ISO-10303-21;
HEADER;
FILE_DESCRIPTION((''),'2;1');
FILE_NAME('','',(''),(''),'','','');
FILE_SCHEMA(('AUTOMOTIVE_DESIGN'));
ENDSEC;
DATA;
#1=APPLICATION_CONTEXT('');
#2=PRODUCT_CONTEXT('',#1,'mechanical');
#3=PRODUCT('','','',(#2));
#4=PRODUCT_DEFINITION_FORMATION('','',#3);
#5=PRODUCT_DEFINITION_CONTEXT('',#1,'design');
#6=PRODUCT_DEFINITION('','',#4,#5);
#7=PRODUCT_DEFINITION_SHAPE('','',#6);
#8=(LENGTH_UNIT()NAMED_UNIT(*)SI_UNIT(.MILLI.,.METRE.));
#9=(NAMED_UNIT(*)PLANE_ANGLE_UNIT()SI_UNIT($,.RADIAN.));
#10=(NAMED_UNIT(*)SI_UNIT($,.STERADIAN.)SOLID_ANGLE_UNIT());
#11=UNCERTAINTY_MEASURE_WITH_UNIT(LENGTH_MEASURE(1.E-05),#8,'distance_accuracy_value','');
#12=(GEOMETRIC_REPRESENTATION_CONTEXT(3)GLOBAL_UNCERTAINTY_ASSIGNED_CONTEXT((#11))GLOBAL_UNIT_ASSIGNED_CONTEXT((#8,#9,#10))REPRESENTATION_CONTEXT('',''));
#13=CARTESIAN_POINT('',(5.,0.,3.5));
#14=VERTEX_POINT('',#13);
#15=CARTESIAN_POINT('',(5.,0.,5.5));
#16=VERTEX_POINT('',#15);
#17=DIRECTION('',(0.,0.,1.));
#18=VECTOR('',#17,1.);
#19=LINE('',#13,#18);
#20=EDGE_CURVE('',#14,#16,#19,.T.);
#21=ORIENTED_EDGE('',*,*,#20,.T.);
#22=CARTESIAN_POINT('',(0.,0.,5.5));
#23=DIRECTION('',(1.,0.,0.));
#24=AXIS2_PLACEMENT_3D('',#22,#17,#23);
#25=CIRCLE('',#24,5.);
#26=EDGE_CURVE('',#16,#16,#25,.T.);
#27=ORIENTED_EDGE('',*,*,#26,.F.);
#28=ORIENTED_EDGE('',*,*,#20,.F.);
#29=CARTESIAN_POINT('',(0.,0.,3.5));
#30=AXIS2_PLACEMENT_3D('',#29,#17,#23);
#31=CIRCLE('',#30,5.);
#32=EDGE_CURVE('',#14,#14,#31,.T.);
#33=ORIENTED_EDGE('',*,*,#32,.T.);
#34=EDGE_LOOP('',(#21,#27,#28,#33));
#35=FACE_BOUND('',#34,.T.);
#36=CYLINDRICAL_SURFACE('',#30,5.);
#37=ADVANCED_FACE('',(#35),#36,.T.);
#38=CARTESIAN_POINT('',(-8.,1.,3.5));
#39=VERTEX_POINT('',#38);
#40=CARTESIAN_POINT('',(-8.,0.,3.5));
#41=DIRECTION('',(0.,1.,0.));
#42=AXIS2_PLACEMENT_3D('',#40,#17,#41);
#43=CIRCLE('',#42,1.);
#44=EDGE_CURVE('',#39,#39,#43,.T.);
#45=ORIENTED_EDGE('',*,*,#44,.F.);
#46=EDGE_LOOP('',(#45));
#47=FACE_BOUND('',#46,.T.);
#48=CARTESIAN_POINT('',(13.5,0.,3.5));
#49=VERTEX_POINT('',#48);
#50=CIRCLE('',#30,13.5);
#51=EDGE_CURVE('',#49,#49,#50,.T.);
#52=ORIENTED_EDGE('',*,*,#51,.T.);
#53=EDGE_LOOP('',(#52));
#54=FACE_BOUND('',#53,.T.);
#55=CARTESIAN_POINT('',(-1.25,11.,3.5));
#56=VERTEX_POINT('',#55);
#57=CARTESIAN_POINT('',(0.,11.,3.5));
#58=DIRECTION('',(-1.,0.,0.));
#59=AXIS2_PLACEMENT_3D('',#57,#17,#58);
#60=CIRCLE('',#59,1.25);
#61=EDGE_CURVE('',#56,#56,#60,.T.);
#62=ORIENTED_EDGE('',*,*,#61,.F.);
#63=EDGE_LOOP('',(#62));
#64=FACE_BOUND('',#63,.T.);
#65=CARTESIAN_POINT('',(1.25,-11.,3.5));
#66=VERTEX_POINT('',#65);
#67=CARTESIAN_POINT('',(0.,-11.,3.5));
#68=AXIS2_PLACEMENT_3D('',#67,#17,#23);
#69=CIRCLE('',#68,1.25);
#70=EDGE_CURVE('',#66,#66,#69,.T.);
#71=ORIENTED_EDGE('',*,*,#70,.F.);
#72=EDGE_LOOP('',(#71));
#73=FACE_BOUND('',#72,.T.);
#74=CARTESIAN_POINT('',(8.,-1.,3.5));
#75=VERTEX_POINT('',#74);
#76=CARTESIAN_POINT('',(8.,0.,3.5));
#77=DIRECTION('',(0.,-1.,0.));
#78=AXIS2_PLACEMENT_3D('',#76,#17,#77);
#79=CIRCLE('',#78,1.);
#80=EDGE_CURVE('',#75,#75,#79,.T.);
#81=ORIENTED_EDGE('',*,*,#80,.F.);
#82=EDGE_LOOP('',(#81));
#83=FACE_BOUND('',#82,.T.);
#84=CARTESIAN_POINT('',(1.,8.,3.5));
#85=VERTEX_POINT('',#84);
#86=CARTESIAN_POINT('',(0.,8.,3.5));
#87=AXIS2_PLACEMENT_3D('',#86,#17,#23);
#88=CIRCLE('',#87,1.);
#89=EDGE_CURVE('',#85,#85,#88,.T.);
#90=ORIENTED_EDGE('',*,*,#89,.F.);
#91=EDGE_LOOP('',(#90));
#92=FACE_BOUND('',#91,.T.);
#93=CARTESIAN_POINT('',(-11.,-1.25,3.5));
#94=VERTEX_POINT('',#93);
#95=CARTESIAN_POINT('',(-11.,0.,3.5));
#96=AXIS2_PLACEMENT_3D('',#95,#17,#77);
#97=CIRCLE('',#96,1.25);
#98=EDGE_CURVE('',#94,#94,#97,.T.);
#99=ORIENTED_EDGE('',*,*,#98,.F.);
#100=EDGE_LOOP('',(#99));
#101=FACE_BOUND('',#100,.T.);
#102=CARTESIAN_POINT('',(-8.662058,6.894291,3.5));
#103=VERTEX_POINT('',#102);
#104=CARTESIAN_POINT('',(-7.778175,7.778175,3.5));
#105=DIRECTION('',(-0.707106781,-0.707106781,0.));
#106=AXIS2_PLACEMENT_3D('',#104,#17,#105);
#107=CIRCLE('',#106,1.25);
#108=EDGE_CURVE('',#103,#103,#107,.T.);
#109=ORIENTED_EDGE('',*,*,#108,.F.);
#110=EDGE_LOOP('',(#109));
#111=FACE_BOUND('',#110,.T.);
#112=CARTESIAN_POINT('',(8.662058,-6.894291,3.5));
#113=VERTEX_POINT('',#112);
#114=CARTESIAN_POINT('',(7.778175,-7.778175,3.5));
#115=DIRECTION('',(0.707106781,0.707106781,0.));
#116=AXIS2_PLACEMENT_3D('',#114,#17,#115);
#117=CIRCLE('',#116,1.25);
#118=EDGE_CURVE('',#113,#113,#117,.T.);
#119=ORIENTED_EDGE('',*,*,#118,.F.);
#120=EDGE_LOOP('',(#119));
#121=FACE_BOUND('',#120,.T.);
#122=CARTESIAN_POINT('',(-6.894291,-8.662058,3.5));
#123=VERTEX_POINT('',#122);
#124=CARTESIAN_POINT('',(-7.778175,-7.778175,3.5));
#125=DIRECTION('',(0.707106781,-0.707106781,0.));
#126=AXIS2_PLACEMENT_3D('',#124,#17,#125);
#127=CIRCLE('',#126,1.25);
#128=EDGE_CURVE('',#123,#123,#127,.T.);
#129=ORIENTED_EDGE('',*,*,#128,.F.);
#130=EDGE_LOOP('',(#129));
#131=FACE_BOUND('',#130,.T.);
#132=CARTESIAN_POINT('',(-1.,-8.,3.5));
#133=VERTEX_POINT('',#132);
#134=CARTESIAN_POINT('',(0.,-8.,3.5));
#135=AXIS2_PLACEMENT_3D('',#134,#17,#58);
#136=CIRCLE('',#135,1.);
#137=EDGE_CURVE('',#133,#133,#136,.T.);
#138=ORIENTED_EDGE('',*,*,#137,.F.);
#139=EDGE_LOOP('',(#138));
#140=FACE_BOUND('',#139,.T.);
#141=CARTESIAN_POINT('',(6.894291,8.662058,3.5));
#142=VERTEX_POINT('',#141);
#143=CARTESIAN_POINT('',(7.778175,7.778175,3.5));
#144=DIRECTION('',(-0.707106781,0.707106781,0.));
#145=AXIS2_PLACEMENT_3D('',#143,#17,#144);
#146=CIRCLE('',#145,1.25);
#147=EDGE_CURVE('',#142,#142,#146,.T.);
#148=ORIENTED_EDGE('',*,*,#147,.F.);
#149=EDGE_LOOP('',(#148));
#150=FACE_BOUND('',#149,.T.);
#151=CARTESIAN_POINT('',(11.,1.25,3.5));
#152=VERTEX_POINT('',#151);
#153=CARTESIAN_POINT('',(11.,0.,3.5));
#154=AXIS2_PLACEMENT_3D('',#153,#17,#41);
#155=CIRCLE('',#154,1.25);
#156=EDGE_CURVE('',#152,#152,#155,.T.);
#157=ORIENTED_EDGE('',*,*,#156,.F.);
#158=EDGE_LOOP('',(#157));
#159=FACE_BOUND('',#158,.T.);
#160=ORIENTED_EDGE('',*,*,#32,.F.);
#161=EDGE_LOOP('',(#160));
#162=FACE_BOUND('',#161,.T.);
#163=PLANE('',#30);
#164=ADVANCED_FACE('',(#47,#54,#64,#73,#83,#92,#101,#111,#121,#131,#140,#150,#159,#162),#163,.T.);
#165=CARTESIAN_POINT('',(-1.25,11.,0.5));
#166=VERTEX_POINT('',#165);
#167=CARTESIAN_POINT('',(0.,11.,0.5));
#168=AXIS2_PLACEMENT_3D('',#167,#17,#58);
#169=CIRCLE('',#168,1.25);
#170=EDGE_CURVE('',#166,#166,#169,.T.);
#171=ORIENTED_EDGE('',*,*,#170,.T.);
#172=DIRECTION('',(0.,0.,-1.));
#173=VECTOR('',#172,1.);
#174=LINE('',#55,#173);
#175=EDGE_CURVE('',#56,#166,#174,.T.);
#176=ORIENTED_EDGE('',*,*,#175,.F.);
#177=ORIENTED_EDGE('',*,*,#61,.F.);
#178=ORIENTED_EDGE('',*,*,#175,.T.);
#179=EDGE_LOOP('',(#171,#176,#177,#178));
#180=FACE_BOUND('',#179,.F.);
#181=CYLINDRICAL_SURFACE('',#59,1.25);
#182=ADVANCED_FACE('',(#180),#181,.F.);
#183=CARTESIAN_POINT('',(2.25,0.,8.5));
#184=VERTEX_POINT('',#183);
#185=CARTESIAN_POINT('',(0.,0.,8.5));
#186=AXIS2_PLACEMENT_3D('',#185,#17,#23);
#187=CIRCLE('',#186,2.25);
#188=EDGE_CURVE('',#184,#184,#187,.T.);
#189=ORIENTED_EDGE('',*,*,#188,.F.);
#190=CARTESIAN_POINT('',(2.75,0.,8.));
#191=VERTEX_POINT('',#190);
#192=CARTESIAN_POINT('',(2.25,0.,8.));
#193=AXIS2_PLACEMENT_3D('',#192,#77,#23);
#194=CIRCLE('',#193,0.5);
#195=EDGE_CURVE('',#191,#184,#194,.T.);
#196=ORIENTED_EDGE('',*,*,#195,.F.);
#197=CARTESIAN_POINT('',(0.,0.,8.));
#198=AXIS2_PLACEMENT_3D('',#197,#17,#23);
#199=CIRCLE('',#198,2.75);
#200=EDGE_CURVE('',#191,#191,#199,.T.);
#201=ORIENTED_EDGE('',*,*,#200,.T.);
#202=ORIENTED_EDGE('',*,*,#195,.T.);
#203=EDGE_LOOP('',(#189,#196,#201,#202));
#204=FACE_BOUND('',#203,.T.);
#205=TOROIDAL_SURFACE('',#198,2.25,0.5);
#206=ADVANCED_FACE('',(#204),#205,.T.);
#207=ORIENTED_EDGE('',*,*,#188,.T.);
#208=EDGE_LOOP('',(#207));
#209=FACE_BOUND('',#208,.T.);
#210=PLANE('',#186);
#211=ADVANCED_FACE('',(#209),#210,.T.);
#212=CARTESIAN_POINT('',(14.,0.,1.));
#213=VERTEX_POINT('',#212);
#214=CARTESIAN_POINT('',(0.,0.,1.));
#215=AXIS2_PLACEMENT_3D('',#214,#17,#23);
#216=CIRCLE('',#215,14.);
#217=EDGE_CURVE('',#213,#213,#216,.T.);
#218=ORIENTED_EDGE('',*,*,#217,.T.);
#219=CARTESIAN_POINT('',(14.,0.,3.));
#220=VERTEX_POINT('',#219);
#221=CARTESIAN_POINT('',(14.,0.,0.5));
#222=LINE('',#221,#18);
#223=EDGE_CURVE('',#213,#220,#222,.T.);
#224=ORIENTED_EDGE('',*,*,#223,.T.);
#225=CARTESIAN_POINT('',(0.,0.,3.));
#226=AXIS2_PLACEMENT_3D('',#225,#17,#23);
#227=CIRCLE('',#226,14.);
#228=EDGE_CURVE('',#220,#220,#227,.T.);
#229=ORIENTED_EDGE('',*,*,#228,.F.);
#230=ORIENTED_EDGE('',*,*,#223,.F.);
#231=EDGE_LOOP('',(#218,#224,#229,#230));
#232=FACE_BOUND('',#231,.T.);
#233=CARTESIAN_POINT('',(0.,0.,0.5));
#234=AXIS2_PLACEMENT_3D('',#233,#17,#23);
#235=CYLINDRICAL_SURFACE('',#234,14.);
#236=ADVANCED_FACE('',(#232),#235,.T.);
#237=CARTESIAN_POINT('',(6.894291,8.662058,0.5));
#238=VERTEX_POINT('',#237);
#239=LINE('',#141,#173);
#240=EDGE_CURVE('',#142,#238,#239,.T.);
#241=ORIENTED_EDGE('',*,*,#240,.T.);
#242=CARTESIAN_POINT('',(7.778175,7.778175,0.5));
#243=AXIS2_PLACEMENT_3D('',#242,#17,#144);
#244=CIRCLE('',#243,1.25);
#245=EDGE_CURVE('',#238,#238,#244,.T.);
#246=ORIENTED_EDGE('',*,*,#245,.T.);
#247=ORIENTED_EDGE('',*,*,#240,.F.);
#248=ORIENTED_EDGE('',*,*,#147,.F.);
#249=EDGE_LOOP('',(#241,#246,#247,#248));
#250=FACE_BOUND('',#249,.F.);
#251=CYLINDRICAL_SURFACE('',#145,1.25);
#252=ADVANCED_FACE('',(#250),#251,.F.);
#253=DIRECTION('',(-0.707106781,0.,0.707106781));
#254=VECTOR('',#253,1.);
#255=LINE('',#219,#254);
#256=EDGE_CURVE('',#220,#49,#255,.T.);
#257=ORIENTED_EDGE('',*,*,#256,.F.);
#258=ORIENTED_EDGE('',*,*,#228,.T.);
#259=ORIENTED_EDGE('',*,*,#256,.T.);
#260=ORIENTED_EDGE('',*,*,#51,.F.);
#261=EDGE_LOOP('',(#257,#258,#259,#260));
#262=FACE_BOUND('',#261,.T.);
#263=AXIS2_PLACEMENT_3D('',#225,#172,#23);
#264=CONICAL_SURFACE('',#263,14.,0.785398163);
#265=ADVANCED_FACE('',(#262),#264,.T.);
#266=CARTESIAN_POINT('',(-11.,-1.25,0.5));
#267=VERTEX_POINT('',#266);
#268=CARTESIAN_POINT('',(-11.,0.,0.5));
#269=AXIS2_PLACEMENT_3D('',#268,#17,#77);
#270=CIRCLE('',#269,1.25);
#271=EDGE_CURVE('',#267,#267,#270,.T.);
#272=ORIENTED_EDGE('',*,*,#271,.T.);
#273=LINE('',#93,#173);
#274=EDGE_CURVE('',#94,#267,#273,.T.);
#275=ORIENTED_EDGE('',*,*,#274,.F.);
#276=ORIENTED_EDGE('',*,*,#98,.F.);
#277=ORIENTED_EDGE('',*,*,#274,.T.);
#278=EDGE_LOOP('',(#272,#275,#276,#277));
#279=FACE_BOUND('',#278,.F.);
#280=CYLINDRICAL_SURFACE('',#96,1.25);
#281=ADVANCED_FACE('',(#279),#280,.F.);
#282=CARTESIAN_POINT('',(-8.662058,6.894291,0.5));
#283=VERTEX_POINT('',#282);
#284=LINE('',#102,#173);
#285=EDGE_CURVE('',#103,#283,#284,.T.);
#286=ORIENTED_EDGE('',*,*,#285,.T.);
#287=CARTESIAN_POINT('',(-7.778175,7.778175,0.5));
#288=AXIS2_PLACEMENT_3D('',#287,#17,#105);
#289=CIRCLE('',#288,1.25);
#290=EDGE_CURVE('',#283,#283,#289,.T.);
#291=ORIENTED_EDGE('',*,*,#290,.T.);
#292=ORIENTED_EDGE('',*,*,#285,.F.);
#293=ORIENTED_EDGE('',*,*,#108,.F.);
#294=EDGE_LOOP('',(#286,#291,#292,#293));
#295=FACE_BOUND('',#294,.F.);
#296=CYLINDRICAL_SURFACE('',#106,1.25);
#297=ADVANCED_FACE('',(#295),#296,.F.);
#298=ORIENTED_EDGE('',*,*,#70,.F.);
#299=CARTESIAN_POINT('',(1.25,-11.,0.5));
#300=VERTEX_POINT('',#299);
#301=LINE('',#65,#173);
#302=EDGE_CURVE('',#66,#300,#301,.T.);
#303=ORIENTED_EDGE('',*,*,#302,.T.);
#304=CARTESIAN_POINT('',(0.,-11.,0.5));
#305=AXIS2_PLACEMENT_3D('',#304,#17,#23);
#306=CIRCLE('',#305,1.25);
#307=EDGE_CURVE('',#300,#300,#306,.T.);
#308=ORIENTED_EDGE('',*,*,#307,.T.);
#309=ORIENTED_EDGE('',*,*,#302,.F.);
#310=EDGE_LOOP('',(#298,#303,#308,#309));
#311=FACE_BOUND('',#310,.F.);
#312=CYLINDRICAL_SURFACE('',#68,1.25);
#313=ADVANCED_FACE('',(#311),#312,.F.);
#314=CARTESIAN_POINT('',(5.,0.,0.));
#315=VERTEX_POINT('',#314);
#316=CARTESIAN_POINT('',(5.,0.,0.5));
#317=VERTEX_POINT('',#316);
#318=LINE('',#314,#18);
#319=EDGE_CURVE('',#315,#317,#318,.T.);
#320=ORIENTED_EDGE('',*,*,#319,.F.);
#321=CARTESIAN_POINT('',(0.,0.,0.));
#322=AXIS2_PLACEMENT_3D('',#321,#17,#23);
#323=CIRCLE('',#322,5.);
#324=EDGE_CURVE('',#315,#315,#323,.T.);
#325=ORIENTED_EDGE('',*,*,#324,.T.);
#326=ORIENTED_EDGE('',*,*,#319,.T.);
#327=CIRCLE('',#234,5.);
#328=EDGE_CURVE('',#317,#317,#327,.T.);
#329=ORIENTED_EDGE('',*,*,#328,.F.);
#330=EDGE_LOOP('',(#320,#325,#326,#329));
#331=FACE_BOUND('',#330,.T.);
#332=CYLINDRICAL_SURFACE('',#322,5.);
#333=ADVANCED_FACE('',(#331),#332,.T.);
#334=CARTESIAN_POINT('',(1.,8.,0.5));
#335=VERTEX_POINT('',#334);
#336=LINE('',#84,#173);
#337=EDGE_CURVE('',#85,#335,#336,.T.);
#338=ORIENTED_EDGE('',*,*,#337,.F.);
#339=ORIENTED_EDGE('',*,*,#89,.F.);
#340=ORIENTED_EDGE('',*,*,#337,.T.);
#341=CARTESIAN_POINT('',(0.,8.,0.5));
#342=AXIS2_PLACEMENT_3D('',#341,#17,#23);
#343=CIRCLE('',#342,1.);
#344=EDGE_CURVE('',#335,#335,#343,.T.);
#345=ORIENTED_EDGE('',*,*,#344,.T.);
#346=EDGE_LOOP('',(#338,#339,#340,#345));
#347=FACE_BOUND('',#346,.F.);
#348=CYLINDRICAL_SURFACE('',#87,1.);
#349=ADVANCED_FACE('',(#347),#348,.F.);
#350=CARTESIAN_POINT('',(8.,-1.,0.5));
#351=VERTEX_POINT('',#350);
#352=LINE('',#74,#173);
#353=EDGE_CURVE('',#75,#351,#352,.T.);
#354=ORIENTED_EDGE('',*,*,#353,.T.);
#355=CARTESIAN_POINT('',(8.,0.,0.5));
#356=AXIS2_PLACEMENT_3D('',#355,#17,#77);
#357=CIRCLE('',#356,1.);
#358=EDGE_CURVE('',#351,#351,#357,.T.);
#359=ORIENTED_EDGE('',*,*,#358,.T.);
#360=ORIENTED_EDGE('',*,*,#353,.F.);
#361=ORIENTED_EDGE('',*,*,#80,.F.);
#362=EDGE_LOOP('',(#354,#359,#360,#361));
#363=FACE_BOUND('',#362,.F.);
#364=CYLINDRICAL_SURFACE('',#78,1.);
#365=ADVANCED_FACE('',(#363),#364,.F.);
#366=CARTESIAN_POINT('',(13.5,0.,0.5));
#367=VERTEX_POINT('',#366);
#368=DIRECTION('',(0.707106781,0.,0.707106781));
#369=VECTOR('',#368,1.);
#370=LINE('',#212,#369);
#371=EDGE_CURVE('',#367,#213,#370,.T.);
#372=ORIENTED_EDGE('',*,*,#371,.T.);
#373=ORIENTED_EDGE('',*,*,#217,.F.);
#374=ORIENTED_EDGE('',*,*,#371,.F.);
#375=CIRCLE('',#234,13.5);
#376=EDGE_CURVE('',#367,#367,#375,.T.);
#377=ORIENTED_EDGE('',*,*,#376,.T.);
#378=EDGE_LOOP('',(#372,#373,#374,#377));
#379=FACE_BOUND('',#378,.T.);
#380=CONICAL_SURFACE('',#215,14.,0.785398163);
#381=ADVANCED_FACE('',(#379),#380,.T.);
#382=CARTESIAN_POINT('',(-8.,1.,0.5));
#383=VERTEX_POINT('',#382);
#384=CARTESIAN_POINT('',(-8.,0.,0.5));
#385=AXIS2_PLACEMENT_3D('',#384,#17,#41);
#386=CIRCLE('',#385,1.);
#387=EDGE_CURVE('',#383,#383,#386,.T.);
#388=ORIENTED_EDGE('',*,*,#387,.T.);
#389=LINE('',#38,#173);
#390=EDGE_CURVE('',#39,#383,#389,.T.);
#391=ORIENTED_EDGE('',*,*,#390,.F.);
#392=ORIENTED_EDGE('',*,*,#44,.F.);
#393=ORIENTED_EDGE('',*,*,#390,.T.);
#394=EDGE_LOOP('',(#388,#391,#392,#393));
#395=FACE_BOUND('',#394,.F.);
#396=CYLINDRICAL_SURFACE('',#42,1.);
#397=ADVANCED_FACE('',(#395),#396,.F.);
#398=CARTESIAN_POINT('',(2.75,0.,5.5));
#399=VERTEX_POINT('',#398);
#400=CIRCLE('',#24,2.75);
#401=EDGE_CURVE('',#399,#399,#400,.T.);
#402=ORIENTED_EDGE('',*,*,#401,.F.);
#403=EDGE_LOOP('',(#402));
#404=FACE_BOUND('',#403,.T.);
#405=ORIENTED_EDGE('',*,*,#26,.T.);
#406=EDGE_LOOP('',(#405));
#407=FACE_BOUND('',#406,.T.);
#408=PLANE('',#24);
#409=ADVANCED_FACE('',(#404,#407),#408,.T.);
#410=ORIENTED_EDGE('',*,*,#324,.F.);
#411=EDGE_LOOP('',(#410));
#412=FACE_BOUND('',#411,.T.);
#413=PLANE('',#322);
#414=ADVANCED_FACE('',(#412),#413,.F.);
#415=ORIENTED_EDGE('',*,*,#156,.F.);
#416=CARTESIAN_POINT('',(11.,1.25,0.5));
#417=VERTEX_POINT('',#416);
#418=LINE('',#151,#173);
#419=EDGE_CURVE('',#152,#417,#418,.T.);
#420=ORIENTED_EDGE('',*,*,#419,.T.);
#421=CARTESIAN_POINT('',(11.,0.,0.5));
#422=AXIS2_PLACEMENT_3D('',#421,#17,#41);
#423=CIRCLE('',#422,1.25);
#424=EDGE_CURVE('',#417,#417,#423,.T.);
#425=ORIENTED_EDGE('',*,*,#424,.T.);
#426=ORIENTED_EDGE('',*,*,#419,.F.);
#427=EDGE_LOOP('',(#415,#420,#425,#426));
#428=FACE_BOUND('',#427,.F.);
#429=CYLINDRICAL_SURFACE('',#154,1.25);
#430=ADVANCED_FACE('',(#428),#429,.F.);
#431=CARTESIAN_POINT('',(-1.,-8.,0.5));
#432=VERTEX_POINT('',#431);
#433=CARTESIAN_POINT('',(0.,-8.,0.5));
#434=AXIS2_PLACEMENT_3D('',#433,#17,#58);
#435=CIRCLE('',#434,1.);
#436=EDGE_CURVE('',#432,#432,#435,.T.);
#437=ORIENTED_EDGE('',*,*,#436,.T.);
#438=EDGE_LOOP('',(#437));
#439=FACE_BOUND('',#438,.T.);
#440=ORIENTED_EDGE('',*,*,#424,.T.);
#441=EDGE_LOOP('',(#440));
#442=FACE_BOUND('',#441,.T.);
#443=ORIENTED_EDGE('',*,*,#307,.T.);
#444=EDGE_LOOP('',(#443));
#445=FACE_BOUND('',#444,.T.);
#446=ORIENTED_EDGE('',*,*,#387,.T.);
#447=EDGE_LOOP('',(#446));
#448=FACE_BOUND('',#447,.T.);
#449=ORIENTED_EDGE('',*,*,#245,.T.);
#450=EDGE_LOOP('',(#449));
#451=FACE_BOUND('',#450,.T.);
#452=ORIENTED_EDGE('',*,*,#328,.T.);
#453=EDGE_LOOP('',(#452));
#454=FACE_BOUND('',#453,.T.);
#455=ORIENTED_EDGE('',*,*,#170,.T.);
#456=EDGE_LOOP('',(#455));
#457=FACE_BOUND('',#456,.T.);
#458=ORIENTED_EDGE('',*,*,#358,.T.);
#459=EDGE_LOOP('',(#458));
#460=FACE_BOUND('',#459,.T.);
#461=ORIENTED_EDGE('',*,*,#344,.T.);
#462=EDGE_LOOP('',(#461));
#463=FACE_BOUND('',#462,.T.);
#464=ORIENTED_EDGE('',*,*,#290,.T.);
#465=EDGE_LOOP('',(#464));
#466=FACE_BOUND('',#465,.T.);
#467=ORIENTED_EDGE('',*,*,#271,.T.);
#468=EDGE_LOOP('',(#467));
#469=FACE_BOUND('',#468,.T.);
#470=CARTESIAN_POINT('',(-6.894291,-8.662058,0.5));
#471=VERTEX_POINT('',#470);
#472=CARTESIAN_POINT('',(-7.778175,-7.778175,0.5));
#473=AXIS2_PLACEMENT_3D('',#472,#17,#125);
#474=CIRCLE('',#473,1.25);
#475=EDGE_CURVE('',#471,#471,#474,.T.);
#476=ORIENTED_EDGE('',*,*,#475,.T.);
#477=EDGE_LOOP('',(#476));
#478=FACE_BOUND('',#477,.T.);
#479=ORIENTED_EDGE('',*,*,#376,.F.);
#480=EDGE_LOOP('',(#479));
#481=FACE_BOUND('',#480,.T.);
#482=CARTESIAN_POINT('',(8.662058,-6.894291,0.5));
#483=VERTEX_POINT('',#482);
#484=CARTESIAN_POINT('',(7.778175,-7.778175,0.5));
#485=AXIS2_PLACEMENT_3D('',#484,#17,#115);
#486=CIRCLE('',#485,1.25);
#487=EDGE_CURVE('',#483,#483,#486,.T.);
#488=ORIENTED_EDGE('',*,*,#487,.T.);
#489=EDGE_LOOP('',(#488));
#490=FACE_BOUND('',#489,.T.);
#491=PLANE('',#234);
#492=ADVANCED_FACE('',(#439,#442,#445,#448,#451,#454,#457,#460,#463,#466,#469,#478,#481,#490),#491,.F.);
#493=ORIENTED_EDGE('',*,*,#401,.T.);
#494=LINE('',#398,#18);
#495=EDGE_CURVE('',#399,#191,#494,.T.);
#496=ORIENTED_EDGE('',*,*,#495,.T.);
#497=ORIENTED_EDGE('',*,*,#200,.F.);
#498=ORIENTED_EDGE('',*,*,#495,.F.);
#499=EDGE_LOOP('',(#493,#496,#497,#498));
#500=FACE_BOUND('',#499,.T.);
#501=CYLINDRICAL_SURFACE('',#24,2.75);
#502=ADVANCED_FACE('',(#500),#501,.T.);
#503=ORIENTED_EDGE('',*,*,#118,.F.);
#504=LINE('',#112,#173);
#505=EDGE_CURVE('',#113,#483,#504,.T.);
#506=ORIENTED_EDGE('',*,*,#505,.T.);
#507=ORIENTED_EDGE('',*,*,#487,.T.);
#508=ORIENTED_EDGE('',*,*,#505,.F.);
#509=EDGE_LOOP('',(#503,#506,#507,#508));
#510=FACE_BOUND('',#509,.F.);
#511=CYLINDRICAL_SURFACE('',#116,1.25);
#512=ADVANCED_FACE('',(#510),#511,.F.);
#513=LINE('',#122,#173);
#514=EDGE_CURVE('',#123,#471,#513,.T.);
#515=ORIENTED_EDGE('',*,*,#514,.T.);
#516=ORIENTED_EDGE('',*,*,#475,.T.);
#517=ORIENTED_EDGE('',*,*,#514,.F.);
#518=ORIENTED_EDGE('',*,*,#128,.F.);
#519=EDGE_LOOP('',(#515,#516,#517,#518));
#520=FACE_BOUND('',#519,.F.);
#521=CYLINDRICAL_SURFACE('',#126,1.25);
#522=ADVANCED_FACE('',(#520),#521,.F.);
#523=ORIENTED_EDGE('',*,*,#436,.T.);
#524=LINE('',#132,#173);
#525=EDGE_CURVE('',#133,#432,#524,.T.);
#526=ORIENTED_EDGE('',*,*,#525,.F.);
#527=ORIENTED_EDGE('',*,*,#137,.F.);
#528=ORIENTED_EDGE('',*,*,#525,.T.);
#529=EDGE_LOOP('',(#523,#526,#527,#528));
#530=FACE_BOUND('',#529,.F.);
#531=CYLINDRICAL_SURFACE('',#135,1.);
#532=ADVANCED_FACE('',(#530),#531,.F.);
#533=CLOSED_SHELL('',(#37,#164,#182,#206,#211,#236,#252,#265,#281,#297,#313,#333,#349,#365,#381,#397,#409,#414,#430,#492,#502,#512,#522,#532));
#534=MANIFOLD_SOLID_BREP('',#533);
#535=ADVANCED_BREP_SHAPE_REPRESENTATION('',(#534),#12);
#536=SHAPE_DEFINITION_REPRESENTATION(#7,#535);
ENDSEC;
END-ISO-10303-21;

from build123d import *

# Parameters (mm, degrees)
SKETCH017_R           = 1.25
POCKET_DEPTH          = 3
POLARPATTERN_COUNT    = 8
SKETCH018_R           = 1
POCKET001_DEPTH       = 3
POLARPATTERN001_COUNT = 4
CHAMFER_SIZE          = 0.5
FILLET005_R           = 0.5


with BuildPart() as part:
    # Sketch016 → Revolution003 (revolve)
    with BuildSketch(Plane.XZ):
        Polygon((0, 0), (5, 0), (5, 0.5), (14, 0.5), (14, 3.5), (5, 3.5), (5, 5.5), (2.75, 5.5), (2.75, 8.5), (0, 8.5), align=None)
    revolve(axis=Axis((0, 0, 0), (0, 0, 1)))

    # Sketch017 (on Face5 of Revolution003) → Pocket (cut)
    with BuildSketch(Plane(origin=(0, 0, 3.5), x_dir=(-1, 0, 0), z_dir=(0, 0, 1))):
        with Locations((0, -11)):
            Circle(SKETCH017_R)
    pocket = extrude(amount=-POCKET_DEPTH, mode=Mode.SUBTRACT)

    # PolarPattern: Pocket ×8 about axis
    polarpattern_axis = Axis((0, 0, 3.5), (0, 0, 1))
    for i in range(1, POLARPATTERN_COUNT):
        add(pocket.rotate(polarpattern_axis, i * 360 / POLARPATTERN_COUNT), mode=Mode.SUBTRACT)

    # Sketch018 (on Face13 of PolarPattern) → Pocket001 (cut)
    with BuildSketch(Plane(origin=(0, 0, 3.5), x_dir=(-1, 0, 0), z_dir=(0, 0, 1))):
        with Locations((0, 8)):
            Circle(SKETCH018_R)
    pocket001 = extrude(amount=-POCKET001_DEPTH, mode=Mode.SUBTRACT)

    # PolarPattern001: Pocket001 ×4 about axis
    polarpattern001_axis = Axis((0, 0, 3.5), (0, 0, 1))
    for i in range(1, POLARPATTERN001_COUNT):
        add(pocket001.rotate(polarpattern001_axis, i * 360 / POLARPATTERN001_COUNT), mode=Mode.SUBTRACT)

    # Chamfer
    chamfer_edges = [part.edges().sort_by_distance(p)[0] for p in [
        (-14, 0, 3.5),
        (-14, 0, 0.5),
    ]]
    chamfer(chamfer_edges, length=CHAMFER_SIZE)

    # Fillet005
    fillet005_edges = [part.edges().sort_by_distance(p)[0] for p in [
        (-2.75, 0, 8.5),
    ]]
    fillet(fillet005_edges, radius=FILLET005_R)


solid = part.part
